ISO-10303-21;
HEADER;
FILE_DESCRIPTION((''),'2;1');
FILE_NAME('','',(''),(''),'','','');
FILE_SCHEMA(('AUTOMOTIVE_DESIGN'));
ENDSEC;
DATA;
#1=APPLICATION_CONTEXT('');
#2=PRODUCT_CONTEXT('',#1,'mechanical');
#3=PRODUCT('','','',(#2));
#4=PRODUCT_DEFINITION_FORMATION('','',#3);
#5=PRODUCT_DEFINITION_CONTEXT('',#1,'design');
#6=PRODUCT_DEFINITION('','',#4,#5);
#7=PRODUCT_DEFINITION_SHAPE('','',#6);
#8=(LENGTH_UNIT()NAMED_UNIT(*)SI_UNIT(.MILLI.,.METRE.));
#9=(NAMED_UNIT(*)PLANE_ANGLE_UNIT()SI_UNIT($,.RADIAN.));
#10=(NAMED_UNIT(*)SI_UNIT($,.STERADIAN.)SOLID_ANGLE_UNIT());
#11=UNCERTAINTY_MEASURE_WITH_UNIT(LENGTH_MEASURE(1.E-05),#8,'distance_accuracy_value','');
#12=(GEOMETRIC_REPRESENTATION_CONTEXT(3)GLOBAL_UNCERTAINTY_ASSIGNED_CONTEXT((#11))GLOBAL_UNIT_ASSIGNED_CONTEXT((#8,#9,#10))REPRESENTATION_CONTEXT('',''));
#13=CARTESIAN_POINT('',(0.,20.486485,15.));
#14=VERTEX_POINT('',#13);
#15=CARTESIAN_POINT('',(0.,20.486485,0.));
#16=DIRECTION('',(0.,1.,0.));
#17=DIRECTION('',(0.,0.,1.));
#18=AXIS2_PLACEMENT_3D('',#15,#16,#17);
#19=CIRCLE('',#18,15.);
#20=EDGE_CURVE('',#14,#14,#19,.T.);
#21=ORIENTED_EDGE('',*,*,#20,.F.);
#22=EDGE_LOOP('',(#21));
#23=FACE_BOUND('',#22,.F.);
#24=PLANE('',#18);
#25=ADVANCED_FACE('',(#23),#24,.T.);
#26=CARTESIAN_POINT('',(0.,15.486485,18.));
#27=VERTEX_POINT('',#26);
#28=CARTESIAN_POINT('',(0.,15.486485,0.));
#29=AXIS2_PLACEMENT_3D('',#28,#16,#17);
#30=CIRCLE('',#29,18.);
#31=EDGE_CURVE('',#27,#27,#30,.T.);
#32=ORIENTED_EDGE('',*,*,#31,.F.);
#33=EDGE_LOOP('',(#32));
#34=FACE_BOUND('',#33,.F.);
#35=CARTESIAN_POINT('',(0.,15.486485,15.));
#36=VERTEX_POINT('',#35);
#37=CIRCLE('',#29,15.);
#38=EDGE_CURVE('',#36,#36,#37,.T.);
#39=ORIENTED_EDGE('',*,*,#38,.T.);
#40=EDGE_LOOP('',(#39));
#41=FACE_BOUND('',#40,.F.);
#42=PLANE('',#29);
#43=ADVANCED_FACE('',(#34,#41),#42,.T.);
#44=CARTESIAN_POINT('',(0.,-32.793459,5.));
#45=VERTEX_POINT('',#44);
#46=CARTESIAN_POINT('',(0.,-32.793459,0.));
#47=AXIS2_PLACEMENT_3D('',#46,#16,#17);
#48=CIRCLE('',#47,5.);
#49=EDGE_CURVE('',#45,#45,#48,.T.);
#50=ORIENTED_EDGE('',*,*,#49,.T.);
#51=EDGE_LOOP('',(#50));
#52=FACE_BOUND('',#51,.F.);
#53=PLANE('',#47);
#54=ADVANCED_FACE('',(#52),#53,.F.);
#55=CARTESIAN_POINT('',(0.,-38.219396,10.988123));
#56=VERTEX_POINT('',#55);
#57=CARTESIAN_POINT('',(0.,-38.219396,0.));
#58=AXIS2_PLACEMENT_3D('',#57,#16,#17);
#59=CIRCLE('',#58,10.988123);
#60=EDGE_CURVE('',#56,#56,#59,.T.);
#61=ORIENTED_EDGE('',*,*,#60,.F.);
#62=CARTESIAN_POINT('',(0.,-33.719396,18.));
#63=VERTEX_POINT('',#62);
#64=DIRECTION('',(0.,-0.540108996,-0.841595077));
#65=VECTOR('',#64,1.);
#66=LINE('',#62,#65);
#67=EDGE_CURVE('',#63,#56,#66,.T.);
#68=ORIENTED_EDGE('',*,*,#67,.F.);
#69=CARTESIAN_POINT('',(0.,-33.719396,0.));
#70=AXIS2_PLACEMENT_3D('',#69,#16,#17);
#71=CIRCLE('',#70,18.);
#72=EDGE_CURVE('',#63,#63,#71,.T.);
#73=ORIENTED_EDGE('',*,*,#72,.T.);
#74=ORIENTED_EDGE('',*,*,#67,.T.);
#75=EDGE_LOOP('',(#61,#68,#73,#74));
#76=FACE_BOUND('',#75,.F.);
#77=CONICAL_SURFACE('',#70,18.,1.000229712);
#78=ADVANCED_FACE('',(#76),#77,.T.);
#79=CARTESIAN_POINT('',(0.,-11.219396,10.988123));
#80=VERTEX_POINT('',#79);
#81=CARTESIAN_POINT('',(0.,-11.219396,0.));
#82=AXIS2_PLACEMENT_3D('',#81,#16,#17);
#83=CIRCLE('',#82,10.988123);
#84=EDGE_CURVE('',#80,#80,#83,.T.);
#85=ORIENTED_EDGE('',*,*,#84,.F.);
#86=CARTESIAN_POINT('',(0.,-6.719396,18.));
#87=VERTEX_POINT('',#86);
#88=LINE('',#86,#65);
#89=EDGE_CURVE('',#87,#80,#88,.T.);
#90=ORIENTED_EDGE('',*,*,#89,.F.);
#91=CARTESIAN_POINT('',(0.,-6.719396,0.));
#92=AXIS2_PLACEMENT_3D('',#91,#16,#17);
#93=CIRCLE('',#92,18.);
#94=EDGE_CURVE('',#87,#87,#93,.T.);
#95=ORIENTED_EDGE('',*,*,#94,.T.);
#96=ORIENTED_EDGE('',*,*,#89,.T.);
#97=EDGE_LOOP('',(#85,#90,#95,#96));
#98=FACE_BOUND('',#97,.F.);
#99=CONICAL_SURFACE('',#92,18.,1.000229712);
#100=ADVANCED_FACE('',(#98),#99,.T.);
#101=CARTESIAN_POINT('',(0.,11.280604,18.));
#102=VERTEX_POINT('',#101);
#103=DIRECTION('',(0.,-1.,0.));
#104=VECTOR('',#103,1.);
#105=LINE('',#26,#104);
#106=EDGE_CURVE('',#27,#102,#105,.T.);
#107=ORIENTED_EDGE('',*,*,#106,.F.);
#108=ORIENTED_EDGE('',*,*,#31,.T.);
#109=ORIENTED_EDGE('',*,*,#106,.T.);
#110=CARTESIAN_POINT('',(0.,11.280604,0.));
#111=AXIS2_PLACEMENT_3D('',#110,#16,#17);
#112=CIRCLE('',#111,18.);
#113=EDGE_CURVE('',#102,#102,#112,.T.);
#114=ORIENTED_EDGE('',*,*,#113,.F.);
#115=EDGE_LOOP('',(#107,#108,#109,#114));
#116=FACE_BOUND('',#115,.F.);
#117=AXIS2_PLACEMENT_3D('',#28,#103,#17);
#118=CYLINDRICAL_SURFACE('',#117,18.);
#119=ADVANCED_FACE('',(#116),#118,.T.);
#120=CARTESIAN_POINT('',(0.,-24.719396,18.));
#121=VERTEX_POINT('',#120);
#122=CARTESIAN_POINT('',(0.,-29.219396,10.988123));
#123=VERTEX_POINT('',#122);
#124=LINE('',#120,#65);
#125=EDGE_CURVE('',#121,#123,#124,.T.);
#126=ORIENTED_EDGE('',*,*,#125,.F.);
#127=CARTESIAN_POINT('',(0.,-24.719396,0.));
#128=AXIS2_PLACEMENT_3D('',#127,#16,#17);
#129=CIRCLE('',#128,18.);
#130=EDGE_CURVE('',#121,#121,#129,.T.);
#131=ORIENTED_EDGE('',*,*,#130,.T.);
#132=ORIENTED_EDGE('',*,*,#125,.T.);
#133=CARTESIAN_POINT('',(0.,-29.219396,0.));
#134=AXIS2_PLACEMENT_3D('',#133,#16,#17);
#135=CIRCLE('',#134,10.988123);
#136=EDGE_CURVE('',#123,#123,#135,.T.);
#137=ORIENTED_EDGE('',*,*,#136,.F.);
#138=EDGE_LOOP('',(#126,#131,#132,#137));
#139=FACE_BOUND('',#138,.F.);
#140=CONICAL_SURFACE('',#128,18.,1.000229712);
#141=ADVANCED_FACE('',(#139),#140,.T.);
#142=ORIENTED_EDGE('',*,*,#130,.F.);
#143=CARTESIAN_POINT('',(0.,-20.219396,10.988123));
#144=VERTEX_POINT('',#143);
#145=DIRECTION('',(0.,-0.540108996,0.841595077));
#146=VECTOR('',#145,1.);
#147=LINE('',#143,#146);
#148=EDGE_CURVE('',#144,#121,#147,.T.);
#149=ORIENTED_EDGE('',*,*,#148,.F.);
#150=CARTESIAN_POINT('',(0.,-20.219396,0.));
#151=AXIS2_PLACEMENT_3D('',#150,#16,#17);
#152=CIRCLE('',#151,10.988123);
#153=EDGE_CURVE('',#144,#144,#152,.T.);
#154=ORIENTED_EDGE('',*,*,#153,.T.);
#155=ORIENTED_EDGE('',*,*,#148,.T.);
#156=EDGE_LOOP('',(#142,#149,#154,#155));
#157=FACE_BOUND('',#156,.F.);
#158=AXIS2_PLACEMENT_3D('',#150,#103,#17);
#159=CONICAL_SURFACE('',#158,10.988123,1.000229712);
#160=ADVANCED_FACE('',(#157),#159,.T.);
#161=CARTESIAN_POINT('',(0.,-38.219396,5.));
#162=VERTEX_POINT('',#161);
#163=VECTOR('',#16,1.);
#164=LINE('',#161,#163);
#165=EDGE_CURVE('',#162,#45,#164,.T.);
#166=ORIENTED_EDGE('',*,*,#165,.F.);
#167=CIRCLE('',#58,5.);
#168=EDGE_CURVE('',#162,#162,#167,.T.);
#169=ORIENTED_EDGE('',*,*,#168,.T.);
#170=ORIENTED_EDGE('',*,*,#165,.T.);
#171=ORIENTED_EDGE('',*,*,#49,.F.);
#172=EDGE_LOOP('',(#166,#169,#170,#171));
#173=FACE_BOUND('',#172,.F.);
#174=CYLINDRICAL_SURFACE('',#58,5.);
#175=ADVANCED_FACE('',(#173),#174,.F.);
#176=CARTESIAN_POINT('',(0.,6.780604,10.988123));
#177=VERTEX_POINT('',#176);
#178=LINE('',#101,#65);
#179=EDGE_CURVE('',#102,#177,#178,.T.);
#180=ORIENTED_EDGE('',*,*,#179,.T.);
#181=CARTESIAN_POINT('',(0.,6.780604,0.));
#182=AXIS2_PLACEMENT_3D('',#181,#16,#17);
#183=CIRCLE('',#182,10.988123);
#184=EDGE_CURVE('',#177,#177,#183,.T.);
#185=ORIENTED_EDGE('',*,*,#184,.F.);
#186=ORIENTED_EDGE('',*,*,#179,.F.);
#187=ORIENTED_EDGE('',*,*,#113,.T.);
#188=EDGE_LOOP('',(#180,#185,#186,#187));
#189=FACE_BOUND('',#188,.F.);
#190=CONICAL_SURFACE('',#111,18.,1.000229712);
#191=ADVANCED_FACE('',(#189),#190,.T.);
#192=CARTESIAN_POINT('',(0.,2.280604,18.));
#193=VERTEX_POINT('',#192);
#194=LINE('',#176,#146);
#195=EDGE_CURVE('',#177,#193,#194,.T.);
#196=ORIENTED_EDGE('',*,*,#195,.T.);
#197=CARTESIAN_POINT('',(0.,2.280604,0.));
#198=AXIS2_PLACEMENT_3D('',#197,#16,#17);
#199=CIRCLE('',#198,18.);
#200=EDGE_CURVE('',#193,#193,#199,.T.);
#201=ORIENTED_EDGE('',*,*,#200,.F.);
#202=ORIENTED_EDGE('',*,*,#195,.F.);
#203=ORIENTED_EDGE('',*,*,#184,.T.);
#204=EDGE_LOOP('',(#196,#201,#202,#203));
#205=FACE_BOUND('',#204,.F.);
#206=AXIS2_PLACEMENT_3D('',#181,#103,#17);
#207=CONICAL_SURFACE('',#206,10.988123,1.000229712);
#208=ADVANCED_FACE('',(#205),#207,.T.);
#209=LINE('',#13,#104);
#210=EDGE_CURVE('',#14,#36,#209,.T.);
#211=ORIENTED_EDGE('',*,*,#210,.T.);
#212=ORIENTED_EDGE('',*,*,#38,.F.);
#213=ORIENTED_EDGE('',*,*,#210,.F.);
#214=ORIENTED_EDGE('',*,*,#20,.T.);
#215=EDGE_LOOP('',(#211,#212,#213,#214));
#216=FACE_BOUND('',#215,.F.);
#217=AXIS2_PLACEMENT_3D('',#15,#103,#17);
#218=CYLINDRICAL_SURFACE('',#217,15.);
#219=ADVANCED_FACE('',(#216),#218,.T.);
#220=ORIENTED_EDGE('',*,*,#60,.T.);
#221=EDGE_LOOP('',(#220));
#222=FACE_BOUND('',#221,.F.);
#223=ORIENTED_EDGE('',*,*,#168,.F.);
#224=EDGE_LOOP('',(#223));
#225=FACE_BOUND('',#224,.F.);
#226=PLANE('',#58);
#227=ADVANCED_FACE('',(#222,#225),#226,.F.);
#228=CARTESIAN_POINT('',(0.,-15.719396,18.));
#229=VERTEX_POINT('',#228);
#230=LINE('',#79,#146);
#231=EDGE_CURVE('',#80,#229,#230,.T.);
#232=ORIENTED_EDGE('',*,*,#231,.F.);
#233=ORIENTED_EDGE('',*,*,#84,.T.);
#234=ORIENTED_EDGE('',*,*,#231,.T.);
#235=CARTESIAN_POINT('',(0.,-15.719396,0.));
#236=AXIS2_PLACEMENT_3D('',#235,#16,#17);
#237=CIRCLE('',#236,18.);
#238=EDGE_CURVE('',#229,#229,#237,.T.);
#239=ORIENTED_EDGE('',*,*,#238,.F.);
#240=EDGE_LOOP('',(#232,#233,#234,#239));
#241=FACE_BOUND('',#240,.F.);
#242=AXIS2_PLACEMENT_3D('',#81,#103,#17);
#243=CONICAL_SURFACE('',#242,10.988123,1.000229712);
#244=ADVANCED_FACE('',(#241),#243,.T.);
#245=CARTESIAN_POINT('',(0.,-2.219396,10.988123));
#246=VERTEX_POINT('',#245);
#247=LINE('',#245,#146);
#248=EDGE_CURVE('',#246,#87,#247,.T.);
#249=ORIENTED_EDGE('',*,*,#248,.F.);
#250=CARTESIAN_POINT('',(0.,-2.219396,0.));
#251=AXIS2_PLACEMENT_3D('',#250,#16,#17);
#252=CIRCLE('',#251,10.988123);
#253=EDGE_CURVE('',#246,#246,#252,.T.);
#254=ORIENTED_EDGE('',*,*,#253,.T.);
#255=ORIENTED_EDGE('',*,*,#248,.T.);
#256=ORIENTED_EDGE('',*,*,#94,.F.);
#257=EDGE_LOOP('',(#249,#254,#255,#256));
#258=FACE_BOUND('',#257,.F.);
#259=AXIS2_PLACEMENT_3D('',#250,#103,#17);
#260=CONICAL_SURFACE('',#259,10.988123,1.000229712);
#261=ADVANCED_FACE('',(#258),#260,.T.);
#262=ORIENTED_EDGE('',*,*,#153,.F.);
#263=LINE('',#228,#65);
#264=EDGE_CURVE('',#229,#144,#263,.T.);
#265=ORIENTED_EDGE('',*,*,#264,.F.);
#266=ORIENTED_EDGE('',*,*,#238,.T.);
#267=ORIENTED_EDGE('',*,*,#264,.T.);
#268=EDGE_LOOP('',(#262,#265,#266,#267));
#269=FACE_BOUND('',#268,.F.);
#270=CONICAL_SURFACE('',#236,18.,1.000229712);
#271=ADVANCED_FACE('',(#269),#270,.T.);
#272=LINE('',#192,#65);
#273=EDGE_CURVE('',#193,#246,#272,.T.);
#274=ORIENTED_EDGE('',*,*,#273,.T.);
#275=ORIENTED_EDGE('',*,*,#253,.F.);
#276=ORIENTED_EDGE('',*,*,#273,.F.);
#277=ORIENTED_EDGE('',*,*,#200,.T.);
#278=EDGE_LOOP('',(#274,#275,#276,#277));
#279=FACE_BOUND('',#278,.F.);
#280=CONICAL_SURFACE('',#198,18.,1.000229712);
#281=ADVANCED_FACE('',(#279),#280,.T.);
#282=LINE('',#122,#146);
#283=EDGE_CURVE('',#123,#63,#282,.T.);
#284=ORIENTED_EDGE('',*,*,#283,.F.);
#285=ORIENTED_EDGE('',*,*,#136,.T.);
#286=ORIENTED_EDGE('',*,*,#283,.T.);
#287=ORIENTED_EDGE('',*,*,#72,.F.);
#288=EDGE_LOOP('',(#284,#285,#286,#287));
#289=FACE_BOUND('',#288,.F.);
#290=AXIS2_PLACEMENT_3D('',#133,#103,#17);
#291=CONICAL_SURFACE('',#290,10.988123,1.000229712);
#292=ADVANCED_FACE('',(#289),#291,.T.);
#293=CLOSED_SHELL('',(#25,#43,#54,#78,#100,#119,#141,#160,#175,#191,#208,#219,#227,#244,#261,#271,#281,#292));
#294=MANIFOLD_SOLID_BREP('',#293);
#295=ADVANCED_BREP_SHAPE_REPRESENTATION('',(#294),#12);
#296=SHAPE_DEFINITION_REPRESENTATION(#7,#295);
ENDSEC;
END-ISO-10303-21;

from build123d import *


with BuildPart() as f1:
    # F0 (on Right) → F1 (revolve)
    with BuildSketch(Plane.YZ):
        Polygon((-32.793459, 0), (20.486485, 0), (20.486485, 15), (15.486485, 15), (15.486485, 18), (11.280604, 18), (6.780604, 10.988123), (2.280604, 18), (-2.219396, 10.988123), (-6.719396, 18), (-11.219396, 10.988123), (-15.719396, 18), (-20.219396, 10.988123), (-24.719396, 18), (-29.219396, 10.988123), (-33.719396, 18), (-38.219396, 10.988123), (-38.219396, 5), (-32.793459, 5), align=None)
    revolve(axis=Axis((0, -6.153487, 0), (0, 1, 0)))


solid = f1.part
